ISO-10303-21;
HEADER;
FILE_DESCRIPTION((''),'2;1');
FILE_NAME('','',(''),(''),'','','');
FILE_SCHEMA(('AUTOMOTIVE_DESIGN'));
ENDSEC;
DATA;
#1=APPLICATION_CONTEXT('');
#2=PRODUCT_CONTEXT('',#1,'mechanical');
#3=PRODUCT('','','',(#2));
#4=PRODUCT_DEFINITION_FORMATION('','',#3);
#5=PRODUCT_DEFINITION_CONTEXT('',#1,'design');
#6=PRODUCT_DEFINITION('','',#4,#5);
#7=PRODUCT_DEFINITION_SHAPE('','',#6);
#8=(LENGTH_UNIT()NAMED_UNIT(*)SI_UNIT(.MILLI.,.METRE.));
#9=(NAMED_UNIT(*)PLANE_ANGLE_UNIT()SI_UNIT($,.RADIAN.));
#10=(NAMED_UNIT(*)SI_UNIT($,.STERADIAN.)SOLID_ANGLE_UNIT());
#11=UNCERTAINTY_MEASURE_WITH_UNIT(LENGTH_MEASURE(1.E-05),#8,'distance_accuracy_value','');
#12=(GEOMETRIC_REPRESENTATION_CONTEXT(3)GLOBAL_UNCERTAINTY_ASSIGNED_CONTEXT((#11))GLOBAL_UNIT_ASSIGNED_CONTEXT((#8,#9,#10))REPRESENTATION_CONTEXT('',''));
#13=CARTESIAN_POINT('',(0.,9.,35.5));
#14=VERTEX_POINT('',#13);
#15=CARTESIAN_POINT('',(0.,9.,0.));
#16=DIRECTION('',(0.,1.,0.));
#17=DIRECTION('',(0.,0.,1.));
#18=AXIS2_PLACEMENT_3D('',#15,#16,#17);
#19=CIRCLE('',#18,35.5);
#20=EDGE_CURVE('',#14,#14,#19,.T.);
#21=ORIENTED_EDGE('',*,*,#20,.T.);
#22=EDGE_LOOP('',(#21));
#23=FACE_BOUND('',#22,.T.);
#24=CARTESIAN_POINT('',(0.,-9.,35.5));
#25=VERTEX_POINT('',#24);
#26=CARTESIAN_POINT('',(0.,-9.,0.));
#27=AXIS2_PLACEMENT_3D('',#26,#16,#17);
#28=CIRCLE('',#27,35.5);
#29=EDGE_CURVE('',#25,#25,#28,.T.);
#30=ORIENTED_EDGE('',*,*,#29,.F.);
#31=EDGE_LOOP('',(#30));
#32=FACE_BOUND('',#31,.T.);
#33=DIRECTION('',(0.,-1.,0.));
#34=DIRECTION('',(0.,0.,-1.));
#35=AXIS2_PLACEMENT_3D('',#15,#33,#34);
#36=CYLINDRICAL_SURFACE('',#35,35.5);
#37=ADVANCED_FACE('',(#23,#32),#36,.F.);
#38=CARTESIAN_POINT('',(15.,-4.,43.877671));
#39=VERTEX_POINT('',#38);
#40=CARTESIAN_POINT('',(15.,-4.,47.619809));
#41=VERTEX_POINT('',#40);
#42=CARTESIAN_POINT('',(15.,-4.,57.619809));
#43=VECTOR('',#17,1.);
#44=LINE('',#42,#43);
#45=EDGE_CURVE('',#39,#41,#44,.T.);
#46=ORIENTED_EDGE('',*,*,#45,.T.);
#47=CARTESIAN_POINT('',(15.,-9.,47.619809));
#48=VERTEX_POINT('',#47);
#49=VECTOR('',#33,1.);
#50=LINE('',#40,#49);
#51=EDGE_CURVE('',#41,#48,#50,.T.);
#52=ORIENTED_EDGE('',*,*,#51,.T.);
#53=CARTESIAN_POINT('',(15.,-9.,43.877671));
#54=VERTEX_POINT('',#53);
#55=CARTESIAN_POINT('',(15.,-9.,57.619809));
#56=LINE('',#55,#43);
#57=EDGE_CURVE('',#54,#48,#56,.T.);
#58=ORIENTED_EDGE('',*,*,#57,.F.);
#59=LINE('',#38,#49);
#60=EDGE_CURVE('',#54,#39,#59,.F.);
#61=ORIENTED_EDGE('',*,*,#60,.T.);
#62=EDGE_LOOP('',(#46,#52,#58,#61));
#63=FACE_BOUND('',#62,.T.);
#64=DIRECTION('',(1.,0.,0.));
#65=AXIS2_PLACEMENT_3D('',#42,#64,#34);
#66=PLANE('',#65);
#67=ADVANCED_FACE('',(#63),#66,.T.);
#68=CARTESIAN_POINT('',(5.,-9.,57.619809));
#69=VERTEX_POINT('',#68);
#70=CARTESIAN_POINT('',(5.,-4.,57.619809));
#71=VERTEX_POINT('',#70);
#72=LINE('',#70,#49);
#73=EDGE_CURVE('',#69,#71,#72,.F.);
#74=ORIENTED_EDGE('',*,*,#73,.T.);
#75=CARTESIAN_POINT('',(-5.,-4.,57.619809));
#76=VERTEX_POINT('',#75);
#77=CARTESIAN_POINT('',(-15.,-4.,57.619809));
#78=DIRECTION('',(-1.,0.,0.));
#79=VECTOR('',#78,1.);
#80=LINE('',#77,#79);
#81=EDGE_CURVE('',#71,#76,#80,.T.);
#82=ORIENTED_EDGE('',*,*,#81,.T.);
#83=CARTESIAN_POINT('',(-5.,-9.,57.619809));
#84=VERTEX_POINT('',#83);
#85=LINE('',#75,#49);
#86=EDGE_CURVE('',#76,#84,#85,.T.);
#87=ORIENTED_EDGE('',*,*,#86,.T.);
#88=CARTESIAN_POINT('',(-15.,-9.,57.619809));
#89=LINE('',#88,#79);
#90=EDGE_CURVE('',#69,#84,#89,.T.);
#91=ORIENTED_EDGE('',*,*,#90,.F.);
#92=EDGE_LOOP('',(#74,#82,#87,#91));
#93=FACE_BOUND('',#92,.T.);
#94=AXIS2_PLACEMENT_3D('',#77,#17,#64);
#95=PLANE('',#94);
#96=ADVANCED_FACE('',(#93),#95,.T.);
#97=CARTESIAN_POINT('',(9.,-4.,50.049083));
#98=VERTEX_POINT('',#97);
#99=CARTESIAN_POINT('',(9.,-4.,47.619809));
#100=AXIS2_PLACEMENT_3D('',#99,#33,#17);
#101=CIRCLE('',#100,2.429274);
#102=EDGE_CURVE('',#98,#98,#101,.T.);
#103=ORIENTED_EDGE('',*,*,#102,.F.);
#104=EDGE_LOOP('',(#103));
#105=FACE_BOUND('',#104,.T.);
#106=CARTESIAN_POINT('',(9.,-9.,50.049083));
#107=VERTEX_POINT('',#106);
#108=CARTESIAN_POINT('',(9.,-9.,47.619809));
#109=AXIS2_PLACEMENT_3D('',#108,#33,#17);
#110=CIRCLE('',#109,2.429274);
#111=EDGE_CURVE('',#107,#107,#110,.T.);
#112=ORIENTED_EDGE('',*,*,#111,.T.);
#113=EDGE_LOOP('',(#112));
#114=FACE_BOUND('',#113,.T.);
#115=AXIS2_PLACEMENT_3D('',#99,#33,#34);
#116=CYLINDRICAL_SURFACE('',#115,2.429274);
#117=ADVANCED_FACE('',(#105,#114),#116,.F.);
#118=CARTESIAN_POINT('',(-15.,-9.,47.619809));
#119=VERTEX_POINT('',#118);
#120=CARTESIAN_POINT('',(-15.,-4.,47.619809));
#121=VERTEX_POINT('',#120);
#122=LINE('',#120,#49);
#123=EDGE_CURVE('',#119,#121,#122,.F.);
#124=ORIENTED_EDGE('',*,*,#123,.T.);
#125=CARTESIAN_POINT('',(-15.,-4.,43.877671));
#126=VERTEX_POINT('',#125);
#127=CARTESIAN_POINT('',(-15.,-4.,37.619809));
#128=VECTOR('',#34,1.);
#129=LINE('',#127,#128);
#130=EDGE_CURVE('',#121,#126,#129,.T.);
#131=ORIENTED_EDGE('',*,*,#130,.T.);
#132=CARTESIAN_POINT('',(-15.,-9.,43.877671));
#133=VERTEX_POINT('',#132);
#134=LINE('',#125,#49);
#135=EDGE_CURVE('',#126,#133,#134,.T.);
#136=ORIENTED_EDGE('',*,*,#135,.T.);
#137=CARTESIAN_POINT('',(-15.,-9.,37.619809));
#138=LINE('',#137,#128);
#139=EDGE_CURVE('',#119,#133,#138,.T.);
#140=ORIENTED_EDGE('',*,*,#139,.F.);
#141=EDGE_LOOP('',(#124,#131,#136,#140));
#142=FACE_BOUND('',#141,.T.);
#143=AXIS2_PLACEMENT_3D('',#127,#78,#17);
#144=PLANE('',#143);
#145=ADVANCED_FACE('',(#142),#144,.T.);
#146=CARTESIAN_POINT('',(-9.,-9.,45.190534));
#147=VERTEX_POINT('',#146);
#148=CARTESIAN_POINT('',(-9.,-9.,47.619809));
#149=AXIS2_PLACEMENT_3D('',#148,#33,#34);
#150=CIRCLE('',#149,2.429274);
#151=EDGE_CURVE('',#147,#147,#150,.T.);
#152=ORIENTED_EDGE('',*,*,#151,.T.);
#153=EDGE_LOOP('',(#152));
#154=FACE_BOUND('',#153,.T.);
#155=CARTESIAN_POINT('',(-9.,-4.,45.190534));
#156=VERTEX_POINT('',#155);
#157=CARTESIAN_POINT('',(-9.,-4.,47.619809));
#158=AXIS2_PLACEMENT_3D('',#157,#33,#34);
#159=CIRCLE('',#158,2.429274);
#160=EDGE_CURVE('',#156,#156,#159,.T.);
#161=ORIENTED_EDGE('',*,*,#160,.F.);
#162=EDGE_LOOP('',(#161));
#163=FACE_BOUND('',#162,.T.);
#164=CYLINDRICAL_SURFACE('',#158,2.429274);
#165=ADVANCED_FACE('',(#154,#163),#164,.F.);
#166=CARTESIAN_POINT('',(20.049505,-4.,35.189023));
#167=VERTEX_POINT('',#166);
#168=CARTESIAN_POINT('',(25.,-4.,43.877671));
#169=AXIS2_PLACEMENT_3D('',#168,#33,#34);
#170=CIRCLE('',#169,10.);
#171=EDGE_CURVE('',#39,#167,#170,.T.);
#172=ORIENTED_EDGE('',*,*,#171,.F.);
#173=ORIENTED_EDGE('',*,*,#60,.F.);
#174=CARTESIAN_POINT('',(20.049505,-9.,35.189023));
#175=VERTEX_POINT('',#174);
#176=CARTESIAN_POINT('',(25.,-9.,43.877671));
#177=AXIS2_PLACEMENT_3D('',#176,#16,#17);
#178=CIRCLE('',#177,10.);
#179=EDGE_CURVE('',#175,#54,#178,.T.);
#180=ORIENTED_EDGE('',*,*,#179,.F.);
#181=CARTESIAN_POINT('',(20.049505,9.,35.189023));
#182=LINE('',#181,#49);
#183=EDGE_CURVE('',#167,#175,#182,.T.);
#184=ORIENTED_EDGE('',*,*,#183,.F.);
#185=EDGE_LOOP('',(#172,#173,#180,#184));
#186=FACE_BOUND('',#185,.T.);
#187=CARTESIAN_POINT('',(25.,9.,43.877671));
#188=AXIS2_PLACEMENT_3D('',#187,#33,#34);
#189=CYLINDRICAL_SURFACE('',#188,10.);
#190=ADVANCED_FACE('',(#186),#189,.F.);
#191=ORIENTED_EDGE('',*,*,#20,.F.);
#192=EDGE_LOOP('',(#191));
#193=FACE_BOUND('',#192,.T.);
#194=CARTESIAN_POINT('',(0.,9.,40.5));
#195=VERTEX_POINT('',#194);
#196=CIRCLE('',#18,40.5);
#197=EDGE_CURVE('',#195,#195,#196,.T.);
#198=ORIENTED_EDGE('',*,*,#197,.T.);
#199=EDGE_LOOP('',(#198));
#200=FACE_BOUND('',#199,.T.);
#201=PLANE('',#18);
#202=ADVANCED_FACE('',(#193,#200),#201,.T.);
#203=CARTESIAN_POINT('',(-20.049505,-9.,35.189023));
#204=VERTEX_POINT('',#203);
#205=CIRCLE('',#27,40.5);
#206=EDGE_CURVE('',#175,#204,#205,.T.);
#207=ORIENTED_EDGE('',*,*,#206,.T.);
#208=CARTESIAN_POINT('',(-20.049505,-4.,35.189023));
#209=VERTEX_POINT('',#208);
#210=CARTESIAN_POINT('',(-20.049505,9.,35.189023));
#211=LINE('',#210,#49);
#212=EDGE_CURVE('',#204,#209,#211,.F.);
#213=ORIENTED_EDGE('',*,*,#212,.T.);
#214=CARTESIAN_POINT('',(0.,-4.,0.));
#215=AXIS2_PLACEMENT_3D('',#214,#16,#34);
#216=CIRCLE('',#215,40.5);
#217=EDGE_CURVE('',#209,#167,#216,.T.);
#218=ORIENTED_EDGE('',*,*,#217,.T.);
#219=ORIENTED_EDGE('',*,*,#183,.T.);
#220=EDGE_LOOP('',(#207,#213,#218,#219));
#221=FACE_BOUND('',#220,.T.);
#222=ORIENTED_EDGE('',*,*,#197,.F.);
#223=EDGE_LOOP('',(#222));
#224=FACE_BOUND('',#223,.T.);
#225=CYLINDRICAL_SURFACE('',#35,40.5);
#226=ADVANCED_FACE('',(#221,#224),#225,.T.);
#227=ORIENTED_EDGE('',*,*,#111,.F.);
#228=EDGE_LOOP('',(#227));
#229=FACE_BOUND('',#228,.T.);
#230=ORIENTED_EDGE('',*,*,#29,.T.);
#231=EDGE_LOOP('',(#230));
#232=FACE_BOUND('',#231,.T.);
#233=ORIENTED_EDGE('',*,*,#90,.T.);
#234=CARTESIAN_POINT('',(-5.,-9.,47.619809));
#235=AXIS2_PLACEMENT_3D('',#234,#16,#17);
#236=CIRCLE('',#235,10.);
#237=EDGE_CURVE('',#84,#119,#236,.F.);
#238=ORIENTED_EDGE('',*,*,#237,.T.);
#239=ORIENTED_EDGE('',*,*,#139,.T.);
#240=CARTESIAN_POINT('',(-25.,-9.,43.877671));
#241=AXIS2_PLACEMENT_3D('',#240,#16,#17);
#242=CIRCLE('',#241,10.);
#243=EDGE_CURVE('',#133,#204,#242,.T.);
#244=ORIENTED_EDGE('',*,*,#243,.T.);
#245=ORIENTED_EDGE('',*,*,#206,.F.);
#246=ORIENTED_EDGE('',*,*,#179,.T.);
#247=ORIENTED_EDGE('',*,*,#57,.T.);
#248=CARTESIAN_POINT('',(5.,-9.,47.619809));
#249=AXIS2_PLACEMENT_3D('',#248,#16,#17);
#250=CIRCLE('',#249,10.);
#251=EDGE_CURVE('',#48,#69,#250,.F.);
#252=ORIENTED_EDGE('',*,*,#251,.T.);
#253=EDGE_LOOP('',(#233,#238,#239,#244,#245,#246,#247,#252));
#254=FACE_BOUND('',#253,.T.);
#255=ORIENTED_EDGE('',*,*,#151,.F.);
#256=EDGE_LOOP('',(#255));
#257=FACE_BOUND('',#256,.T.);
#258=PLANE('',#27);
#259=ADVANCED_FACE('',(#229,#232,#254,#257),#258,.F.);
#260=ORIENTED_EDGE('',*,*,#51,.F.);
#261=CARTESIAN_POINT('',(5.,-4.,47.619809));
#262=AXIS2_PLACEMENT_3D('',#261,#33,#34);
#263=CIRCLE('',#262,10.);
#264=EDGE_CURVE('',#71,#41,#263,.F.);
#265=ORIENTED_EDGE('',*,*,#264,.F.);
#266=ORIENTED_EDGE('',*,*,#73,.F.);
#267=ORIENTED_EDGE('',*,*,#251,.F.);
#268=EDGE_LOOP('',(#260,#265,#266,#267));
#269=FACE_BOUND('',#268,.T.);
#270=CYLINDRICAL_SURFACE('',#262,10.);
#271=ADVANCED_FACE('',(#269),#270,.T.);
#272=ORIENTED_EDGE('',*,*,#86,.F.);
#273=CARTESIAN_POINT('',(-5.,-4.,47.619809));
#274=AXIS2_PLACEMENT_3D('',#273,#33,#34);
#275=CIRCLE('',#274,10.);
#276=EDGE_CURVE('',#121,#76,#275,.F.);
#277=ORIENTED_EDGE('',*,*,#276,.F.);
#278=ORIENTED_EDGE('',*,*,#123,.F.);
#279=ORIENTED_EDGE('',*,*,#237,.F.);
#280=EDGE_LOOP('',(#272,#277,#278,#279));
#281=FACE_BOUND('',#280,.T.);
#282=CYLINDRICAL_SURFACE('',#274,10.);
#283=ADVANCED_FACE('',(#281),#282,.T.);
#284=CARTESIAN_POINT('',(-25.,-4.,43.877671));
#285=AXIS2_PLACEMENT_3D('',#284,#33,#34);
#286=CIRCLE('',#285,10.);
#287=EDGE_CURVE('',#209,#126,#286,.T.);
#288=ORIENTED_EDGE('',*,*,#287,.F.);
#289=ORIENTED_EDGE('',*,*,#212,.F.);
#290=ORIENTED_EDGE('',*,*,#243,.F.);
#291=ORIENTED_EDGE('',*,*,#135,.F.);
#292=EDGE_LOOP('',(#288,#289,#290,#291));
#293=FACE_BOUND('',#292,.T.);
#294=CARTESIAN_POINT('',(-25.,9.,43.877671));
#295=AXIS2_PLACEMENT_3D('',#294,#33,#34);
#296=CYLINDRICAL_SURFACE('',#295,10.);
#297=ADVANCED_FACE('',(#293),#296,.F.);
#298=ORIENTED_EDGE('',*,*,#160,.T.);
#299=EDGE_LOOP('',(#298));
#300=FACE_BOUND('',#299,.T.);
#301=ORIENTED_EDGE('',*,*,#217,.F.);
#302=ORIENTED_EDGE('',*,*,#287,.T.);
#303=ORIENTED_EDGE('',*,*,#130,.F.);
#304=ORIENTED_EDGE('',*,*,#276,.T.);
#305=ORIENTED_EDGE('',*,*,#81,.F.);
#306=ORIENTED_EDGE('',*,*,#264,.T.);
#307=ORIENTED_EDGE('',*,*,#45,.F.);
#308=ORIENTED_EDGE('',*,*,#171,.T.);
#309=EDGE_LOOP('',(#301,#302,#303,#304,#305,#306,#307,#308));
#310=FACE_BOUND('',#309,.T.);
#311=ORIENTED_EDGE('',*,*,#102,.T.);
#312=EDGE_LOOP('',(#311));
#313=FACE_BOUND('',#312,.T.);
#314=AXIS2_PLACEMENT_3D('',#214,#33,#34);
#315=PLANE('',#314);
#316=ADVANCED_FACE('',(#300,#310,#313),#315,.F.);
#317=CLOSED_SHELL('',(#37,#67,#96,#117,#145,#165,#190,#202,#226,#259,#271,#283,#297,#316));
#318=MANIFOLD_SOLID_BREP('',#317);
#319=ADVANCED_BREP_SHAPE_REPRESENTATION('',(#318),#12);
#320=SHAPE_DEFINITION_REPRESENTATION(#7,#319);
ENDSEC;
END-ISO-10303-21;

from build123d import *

# Parameters (mm, degrees)
CROQUIS1_R              = 40.5
CROQUIS1_R_2            = 35.5
SALIENTE_EXTRUIR1_DEPTH = 9
CROQUIS2_R              = 2.429274189
SALIENTE_EXTRUIR2_DEPTH = 5
REDONDEO1_R             = 10


with BuildPart() as part:
    # Croquis1 → Saliente-Extruir1 (new body, symmetric)
    with BuildSketch(Plane(origin=(0, 0, 0), x_dir=(1, 0, 0), z_dir=(0, 1, 0))):
        Circle(CROQUIS1_R)
        Circle(CROQUIS1_R_2, mode=Mode.SUBTRACT)
    extrude(amount=SALIENTE_EXTRUIR1_DEPTH, both=True)

    # Croquis2 → Saliente-Extruir2 (add)
    with BuildSketch(Plane.XZ.offset(9)):
        with BuildLine():
            Line((-15, 37.619808612), (-15, 57.619808612))
            Line((-15, 57.619808612), (15, 57.619808612))
            Line((15, 57.619808612), (15, 37.619808612))
            ThreePointArc((15, 37.619808612), (0, 40.5), (-15, 37.619808612))
        make_face()
        with Locations((-9, 47.619808612)):
            Circle(CROQUIS2_R, mode=Mode.SUBTRACT)
        with Locations((9, 47.619808612)):
            Circle(CROQUIS2_R, mode=Mode.SUBTRACT)
    extrude(amount=-SALIENTE_EXTRUIR2_DEPTH)

    # Redondeo1
    redondeo1_edges = [part.edges().sort_by_distance(p)[0] for p in [
        (15, -6.5, 37.619808612),
        (-15, -6.5, 37.619808612),
        (-15, -6.5, 57.619808612),
        (15, -6.5, 57.619808612),
    ]]
    fillet(redondeo1_edges, radius=REDONDEO1_R)


solid = part.part
